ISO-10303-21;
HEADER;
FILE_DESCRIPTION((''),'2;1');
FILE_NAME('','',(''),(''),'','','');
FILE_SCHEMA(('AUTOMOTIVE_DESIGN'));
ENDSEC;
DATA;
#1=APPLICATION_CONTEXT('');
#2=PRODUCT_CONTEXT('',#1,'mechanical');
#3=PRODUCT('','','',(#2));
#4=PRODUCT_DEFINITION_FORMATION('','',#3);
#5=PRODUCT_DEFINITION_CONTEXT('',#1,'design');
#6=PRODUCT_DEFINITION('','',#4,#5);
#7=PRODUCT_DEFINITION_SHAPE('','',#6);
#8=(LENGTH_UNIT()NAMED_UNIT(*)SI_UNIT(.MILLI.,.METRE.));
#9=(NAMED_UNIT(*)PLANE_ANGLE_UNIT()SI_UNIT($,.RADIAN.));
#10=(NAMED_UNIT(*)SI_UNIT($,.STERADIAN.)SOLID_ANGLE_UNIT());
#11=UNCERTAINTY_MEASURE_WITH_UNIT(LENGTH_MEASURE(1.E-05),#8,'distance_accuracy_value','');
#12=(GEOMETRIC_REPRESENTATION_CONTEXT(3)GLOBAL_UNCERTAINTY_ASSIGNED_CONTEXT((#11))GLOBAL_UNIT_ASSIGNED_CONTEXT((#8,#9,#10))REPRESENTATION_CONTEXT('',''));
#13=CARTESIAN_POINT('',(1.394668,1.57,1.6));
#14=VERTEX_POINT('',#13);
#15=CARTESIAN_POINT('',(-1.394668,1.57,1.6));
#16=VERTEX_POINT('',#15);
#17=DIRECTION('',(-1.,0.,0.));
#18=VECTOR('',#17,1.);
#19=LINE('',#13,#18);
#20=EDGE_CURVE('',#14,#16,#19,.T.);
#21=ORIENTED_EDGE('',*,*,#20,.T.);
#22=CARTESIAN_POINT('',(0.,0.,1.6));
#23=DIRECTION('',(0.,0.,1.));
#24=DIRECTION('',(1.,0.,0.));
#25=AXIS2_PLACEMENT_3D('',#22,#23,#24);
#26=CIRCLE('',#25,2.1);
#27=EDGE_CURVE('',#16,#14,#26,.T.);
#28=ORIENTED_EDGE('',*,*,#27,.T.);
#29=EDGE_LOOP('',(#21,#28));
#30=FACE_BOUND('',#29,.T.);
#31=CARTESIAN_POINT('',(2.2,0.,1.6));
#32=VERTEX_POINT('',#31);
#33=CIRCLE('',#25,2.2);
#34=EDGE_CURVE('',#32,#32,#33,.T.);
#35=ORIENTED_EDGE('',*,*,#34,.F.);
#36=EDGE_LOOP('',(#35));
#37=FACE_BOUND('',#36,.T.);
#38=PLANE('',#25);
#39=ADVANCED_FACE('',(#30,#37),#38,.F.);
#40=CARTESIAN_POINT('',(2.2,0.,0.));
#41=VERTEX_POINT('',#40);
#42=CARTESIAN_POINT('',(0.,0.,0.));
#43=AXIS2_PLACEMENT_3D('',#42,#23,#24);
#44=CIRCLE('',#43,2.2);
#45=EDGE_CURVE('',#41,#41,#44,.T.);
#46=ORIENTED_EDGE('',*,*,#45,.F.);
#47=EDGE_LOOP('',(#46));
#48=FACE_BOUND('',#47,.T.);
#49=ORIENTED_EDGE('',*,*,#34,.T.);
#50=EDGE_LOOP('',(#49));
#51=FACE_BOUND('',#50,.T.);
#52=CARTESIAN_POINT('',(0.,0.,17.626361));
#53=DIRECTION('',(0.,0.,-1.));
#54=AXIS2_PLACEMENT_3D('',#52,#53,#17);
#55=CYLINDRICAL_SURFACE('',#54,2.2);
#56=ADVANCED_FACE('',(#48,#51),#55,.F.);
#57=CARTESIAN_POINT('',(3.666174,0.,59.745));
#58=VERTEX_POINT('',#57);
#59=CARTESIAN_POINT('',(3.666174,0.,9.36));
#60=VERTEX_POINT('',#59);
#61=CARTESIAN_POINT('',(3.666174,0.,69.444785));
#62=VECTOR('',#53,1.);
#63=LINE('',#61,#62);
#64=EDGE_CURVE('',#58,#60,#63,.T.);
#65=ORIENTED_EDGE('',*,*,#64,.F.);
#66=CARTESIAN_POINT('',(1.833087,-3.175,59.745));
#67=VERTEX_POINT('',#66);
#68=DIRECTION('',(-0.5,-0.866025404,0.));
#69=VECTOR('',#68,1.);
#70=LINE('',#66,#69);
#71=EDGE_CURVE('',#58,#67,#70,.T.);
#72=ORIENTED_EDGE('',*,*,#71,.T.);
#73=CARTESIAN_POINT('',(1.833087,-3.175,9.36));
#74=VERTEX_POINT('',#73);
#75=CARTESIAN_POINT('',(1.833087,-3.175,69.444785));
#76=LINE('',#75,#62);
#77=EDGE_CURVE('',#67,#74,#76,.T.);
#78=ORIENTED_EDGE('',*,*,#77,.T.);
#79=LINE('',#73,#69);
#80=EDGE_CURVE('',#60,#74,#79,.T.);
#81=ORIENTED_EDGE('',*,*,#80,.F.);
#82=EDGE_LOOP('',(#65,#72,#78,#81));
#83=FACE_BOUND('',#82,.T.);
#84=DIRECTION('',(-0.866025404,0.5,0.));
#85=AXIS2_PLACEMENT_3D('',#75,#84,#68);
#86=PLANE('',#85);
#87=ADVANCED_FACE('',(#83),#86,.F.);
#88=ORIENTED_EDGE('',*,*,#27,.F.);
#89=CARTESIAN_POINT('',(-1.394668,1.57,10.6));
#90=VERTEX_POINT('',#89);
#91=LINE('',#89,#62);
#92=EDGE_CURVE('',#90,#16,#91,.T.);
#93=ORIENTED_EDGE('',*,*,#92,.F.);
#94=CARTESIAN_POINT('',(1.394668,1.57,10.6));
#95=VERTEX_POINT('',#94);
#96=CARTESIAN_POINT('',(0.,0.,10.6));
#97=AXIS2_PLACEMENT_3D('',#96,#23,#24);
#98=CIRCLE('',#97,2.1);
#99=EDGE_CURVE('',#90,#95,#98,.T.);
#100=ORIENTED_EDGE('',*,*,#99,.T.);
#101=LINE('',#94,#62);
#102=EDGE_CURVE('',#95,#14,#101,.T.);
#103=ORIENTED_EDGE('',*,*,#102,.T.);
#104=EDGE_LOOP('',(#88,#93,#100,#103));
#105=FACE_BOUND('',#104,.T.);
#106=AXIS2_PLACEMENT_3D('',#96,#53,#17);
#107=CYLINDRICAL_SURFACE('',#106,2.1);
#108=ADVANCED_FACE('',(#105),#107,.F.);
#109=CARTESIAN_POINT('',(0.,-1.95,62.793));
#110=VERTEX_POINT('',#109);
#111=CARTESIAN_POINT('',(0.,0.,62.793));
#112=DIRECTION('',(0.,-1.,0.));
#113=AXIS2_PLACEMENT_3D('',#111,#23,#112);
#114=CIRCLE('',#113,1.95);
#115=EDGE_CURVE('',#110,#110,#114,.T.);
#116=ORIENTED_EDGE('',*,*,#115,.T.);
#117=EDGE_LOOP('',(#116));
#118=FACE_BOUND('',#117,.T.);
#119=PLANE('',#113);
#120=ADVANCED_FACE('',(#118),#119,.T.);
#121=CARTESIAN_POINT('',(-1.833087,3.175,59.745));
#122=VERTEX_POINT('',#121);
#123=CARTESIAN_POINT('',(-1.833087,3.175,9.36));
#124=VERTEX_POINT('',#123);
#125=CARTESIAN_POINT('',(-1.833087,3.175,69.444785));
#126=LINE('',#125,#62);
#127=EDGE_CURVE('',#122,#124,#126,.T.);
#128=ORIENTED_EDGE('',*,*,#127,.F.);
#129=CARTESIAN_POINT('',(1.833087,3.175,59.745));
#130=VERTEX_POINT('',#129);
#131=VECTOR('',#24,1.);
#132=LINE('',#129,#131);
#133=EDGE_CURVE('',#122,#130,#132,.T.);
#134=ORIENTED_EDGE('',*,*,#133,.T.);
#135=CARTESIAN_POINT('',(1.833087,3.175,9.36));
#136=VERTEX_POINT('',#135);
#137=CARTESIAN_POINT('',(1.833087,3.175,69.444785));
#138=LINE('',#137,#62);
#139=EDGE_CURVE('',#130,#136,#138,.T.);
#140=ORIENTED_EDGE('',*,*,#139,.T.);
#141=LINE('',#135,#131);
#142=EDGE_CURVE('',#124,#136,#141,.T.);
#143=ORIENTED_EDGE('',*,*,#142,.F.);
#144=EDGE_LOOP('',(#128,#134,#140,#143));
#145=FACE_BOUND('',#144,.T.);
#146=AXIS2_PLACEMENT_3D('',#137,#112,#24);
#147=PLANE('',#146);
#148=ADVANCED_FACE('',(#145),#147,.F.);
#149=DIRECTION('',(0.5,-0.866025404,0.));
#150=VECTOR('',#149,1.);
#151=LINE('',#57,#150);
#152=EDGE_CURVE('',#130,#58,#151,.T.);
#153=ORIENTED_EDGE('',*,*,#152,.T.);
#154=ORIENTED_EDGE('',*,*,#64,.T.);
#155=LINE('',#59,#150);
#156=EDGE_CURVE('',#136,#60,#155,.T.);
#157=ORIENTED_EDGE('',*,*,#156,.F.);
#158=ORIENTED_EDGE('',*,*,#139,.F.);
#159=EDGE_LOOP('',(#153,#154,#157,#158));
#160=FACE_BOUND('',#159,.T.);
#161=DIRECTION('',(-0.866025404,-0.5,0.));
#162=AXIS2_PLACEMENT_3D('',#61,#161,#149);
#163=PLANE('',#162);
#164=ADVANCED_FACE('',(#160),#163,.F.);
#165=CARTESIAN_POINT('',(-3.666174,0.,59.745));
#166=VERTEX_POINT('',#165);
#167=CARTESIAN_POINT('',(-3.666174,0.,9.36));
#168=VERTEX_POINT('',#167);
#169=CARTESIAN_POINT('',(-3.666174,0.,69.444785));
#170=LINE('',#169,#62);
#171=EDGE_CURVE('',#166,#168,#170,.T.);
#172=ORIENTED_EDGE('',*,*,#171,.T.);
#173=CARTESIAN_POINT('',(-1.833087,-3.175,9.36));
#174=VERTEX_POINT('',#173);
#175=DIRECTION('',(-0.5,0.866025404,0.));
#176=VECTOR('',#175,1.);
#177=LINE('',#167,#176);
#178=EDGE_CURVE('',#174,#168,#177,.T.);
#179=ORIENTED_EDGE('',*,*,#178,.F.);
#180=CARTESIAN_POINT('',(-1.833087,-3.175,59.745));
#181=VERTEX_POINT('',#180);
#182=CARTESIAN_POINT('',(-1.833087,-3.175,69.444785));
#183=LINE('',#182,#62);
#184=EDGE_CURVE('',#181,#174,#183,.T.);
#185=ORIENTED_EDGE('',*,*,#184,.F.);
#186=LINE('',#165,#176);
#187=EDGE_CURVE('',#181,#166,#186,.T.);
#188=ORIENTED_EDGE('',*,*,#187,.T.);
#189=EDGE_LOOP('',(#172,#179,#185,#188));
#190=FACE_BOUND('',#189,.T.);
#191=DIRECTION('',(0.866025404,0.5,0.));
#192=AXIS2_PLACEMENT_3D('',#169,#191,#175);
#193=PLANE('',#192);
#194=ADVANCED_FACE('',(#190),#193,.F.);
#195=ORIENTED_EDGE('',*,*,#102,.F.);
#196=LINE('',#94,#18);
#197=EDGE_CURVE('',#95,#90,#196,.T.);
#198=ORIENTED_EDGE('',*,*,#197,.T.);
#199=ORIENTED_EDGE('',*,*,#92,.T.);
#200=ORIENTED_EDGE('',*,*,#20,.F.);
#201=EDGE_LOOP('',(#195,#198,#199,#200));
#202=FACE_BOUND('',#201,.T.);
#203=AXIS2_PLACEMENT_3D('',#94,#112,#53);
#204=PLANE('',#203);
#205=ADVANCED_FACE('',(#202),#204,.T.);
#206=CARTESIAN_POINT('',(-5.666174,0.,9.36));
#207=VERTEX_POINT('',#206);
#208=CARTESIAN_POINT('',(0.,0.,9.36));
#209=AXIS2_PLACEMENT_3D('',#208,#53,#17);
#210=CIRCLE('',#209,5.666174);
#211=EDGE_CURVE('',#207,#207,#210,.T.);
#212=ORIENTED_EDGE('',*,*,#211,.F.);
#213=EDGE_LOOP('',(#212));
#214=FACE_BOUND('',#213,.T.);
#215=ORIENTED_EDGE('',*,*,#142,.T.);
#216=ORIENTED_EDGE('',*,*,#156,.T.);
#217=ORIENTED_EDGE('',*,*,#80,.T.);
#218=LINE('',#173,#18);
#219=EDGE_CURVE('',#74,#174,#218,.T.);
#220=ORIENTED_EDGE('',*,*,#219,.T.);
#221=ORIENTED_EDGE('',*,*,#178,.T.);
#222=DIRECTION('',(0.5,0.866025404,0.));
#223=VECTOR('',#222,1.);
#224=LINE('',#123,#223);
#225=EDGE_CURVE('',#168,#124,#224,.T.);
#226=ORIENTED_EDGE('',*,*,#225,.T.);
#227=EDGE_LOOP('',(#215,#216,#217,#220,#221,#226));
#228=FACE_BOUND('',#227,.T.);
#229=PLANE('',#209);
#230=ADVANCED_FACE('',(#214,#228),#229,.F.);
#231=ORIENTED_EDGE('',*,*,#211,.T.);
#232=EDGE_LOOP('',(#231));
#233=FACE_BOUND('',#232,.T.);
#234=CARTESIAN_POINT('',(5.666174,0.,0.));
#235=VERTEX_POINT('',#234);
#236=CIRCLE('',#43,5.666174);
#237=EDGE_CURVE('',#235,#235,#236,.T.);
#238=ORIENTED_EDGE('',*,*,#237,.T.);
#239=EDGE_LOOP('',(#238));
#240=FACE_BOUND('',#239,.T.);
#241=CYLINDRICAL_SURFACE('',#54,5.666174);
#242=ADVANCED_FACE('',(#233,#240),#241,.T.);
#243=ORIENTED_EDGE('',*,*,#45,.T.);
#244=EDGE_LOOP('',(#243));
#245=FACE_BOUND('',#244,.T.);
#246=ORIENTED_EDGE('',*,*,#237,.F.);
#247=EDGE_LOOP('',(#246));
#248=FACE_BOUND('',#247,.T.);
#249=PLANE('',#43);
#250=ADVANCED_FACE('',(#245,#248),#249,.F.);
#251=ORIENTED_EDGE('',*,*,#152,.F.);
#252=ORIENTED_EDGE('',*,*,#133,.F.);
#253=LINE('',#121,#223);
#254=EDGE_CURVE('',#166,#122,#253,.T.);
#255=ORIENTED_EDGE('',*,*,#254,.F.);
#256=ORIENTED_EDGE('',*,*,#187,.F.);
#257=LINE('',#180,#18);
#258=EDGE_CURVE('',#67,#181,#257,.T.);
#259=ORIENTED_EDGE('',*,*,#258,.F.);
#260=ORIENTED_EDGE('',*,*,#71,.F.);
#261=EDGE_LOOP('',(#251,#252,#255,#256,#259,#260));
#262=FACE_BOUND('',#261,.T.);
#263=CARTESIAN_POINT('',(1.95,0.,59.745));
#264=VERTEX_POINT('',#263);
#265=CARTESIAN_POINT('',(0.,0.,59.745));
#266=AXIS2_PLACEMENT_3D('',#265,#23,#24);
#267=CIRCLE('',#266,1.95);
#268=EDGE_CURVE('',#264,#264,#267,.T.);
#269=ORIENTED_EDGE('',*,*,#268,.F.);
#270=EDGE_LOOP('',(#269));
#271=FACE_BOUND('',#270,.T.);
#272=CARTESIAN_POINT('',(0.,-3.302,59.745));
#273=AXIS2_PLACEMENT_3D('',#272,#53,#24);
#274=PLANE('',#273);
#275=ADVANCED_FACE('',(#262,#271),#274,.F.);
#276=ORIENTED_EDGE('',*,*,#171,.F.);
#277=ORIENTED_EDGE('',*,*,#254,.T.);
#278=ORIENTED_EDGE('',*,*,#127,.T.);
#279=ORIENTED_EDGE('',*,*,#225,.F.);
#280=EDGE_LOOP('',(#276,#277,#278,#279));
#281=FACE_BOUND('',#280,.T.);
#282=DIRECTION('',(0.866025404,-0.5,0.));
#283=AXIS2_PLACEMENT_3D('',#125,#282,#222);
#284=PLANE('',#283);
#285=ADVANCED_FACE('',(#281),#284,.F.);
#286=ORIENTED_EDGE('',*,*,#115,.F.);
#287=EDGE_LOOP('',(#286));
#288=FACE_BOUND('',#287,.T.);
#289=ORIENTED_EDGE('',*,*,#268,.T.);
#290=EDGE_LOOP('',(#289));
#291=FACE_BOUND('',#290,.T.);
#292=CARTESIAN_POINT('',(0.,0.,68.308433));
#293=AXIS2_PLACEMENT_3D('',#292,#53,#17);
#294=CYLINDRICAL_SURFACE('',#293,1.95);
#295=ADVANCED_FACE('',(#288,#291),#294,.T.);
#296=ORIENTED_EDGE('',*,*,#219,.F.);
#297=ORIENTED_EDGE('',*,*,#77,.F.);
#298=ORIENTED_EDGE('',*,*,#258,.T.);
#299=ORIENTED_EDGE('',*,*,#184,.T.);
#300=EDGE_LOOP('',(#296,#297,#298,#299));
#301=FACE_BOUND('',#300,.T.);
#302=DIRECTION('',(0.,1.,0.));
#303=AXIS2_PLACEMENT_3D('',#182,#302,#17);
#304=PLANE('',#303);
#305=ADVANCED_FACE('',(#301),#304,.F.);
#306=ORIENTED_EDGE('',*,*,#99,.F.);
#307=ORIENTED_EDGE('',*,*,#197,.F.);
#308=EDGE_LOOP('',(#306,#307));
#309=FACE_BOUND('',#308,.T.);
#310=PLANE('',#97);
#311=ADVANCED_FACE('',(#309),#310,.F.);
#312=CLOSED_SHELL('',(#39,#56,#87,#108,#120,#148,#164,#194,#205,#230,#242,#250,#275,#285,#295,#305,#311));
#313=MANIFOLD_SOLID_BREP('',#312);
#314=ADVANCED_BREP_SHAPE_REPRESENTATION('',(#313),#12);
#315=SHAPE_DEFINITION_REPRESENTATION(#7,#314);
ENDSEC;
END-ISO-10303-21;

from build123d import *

# Parameters (mm, degrees)
HEX_EXTRUDE_DEPTH      = 58.145
MOTOR_SHAFT_DEPTH      = 9
SKETCH15_R             = 5.666174209
SKETCH15_R_2           = 2.2
MOTOR_SPACER_DEPTH     = 1.6
SKETCH16_R             = 5.666174209
HUB_INNER_SPACER_DEPTH = 7.76
SKETCH14_R             = 1.95
BEARING_DEPTH          = 3.048


with BuildPart() as part:
    # Standoff → Hex extrude (new body)
    with BuildSketch(Plane.XY.offset(1.6)):
        Polygon((3.666174209, 0), (1.833087105, 3.175), (-1.833087105, 3.175), (-3.666174209, 0), (-1.833087105, -3.175), (1.833087105, -3.175), align=None)
    extrude(amount=HEX_EXTRUDE_DEPTH)

    # Sketch12 → Motor shaft (cut)
    with BuildSketch(Plane.XY.offset(1.6)):
        with BuildLine():
            Line((1.394668419, 1.57), (-1.394668419, 1.57))
            ThreePointArc((-1.394668419, 1.57), (0, -2.1), (1.394668419, 1.57))
        make_face()
    extrude(amount=MOTOR_SHAFT_DEPTH, mode=Mode.SUBTRACT)

    # Sketch15 → Motor spacer (add)
    with BuildSketch(Plane.XY):
        Circle(SKETCH15_R)
        Circle(SKETCH15_R_2, mode=Mode.SUBTRACT)
    extrude(amount=MOTOR_SPACER_DEPTH)

    # Sketch16 → Hub inner spacer (add)
    with BuildSketch(Plane.XY.offset(1.6)):
        with Locations(Location((0, 0, 0), (0, 0, 180))):
            Circle(SKETCH16_R)
        Polygon((3.666174209, 0), (1.833087105, 3.175), (-1.833087105, 3.175), (-3.666174209, 0), (-1.833087105, -3.175), (1.833087105, -3.175), align=None, mode=Mode.SUBTRACT)
    extrude(amount=HUB_INNER_SPACER_DEPTH)

    # Sketch14 → Bearing (add)
    with BuildSketch(Plane.XY.offset(59.745)):
        with Locations(Location((0, 0, 0), (0, 0, 270))):
            Circle(SKETCH14_R)
    extrude(amount=BEARING_DEPTH)


solid = part.part
